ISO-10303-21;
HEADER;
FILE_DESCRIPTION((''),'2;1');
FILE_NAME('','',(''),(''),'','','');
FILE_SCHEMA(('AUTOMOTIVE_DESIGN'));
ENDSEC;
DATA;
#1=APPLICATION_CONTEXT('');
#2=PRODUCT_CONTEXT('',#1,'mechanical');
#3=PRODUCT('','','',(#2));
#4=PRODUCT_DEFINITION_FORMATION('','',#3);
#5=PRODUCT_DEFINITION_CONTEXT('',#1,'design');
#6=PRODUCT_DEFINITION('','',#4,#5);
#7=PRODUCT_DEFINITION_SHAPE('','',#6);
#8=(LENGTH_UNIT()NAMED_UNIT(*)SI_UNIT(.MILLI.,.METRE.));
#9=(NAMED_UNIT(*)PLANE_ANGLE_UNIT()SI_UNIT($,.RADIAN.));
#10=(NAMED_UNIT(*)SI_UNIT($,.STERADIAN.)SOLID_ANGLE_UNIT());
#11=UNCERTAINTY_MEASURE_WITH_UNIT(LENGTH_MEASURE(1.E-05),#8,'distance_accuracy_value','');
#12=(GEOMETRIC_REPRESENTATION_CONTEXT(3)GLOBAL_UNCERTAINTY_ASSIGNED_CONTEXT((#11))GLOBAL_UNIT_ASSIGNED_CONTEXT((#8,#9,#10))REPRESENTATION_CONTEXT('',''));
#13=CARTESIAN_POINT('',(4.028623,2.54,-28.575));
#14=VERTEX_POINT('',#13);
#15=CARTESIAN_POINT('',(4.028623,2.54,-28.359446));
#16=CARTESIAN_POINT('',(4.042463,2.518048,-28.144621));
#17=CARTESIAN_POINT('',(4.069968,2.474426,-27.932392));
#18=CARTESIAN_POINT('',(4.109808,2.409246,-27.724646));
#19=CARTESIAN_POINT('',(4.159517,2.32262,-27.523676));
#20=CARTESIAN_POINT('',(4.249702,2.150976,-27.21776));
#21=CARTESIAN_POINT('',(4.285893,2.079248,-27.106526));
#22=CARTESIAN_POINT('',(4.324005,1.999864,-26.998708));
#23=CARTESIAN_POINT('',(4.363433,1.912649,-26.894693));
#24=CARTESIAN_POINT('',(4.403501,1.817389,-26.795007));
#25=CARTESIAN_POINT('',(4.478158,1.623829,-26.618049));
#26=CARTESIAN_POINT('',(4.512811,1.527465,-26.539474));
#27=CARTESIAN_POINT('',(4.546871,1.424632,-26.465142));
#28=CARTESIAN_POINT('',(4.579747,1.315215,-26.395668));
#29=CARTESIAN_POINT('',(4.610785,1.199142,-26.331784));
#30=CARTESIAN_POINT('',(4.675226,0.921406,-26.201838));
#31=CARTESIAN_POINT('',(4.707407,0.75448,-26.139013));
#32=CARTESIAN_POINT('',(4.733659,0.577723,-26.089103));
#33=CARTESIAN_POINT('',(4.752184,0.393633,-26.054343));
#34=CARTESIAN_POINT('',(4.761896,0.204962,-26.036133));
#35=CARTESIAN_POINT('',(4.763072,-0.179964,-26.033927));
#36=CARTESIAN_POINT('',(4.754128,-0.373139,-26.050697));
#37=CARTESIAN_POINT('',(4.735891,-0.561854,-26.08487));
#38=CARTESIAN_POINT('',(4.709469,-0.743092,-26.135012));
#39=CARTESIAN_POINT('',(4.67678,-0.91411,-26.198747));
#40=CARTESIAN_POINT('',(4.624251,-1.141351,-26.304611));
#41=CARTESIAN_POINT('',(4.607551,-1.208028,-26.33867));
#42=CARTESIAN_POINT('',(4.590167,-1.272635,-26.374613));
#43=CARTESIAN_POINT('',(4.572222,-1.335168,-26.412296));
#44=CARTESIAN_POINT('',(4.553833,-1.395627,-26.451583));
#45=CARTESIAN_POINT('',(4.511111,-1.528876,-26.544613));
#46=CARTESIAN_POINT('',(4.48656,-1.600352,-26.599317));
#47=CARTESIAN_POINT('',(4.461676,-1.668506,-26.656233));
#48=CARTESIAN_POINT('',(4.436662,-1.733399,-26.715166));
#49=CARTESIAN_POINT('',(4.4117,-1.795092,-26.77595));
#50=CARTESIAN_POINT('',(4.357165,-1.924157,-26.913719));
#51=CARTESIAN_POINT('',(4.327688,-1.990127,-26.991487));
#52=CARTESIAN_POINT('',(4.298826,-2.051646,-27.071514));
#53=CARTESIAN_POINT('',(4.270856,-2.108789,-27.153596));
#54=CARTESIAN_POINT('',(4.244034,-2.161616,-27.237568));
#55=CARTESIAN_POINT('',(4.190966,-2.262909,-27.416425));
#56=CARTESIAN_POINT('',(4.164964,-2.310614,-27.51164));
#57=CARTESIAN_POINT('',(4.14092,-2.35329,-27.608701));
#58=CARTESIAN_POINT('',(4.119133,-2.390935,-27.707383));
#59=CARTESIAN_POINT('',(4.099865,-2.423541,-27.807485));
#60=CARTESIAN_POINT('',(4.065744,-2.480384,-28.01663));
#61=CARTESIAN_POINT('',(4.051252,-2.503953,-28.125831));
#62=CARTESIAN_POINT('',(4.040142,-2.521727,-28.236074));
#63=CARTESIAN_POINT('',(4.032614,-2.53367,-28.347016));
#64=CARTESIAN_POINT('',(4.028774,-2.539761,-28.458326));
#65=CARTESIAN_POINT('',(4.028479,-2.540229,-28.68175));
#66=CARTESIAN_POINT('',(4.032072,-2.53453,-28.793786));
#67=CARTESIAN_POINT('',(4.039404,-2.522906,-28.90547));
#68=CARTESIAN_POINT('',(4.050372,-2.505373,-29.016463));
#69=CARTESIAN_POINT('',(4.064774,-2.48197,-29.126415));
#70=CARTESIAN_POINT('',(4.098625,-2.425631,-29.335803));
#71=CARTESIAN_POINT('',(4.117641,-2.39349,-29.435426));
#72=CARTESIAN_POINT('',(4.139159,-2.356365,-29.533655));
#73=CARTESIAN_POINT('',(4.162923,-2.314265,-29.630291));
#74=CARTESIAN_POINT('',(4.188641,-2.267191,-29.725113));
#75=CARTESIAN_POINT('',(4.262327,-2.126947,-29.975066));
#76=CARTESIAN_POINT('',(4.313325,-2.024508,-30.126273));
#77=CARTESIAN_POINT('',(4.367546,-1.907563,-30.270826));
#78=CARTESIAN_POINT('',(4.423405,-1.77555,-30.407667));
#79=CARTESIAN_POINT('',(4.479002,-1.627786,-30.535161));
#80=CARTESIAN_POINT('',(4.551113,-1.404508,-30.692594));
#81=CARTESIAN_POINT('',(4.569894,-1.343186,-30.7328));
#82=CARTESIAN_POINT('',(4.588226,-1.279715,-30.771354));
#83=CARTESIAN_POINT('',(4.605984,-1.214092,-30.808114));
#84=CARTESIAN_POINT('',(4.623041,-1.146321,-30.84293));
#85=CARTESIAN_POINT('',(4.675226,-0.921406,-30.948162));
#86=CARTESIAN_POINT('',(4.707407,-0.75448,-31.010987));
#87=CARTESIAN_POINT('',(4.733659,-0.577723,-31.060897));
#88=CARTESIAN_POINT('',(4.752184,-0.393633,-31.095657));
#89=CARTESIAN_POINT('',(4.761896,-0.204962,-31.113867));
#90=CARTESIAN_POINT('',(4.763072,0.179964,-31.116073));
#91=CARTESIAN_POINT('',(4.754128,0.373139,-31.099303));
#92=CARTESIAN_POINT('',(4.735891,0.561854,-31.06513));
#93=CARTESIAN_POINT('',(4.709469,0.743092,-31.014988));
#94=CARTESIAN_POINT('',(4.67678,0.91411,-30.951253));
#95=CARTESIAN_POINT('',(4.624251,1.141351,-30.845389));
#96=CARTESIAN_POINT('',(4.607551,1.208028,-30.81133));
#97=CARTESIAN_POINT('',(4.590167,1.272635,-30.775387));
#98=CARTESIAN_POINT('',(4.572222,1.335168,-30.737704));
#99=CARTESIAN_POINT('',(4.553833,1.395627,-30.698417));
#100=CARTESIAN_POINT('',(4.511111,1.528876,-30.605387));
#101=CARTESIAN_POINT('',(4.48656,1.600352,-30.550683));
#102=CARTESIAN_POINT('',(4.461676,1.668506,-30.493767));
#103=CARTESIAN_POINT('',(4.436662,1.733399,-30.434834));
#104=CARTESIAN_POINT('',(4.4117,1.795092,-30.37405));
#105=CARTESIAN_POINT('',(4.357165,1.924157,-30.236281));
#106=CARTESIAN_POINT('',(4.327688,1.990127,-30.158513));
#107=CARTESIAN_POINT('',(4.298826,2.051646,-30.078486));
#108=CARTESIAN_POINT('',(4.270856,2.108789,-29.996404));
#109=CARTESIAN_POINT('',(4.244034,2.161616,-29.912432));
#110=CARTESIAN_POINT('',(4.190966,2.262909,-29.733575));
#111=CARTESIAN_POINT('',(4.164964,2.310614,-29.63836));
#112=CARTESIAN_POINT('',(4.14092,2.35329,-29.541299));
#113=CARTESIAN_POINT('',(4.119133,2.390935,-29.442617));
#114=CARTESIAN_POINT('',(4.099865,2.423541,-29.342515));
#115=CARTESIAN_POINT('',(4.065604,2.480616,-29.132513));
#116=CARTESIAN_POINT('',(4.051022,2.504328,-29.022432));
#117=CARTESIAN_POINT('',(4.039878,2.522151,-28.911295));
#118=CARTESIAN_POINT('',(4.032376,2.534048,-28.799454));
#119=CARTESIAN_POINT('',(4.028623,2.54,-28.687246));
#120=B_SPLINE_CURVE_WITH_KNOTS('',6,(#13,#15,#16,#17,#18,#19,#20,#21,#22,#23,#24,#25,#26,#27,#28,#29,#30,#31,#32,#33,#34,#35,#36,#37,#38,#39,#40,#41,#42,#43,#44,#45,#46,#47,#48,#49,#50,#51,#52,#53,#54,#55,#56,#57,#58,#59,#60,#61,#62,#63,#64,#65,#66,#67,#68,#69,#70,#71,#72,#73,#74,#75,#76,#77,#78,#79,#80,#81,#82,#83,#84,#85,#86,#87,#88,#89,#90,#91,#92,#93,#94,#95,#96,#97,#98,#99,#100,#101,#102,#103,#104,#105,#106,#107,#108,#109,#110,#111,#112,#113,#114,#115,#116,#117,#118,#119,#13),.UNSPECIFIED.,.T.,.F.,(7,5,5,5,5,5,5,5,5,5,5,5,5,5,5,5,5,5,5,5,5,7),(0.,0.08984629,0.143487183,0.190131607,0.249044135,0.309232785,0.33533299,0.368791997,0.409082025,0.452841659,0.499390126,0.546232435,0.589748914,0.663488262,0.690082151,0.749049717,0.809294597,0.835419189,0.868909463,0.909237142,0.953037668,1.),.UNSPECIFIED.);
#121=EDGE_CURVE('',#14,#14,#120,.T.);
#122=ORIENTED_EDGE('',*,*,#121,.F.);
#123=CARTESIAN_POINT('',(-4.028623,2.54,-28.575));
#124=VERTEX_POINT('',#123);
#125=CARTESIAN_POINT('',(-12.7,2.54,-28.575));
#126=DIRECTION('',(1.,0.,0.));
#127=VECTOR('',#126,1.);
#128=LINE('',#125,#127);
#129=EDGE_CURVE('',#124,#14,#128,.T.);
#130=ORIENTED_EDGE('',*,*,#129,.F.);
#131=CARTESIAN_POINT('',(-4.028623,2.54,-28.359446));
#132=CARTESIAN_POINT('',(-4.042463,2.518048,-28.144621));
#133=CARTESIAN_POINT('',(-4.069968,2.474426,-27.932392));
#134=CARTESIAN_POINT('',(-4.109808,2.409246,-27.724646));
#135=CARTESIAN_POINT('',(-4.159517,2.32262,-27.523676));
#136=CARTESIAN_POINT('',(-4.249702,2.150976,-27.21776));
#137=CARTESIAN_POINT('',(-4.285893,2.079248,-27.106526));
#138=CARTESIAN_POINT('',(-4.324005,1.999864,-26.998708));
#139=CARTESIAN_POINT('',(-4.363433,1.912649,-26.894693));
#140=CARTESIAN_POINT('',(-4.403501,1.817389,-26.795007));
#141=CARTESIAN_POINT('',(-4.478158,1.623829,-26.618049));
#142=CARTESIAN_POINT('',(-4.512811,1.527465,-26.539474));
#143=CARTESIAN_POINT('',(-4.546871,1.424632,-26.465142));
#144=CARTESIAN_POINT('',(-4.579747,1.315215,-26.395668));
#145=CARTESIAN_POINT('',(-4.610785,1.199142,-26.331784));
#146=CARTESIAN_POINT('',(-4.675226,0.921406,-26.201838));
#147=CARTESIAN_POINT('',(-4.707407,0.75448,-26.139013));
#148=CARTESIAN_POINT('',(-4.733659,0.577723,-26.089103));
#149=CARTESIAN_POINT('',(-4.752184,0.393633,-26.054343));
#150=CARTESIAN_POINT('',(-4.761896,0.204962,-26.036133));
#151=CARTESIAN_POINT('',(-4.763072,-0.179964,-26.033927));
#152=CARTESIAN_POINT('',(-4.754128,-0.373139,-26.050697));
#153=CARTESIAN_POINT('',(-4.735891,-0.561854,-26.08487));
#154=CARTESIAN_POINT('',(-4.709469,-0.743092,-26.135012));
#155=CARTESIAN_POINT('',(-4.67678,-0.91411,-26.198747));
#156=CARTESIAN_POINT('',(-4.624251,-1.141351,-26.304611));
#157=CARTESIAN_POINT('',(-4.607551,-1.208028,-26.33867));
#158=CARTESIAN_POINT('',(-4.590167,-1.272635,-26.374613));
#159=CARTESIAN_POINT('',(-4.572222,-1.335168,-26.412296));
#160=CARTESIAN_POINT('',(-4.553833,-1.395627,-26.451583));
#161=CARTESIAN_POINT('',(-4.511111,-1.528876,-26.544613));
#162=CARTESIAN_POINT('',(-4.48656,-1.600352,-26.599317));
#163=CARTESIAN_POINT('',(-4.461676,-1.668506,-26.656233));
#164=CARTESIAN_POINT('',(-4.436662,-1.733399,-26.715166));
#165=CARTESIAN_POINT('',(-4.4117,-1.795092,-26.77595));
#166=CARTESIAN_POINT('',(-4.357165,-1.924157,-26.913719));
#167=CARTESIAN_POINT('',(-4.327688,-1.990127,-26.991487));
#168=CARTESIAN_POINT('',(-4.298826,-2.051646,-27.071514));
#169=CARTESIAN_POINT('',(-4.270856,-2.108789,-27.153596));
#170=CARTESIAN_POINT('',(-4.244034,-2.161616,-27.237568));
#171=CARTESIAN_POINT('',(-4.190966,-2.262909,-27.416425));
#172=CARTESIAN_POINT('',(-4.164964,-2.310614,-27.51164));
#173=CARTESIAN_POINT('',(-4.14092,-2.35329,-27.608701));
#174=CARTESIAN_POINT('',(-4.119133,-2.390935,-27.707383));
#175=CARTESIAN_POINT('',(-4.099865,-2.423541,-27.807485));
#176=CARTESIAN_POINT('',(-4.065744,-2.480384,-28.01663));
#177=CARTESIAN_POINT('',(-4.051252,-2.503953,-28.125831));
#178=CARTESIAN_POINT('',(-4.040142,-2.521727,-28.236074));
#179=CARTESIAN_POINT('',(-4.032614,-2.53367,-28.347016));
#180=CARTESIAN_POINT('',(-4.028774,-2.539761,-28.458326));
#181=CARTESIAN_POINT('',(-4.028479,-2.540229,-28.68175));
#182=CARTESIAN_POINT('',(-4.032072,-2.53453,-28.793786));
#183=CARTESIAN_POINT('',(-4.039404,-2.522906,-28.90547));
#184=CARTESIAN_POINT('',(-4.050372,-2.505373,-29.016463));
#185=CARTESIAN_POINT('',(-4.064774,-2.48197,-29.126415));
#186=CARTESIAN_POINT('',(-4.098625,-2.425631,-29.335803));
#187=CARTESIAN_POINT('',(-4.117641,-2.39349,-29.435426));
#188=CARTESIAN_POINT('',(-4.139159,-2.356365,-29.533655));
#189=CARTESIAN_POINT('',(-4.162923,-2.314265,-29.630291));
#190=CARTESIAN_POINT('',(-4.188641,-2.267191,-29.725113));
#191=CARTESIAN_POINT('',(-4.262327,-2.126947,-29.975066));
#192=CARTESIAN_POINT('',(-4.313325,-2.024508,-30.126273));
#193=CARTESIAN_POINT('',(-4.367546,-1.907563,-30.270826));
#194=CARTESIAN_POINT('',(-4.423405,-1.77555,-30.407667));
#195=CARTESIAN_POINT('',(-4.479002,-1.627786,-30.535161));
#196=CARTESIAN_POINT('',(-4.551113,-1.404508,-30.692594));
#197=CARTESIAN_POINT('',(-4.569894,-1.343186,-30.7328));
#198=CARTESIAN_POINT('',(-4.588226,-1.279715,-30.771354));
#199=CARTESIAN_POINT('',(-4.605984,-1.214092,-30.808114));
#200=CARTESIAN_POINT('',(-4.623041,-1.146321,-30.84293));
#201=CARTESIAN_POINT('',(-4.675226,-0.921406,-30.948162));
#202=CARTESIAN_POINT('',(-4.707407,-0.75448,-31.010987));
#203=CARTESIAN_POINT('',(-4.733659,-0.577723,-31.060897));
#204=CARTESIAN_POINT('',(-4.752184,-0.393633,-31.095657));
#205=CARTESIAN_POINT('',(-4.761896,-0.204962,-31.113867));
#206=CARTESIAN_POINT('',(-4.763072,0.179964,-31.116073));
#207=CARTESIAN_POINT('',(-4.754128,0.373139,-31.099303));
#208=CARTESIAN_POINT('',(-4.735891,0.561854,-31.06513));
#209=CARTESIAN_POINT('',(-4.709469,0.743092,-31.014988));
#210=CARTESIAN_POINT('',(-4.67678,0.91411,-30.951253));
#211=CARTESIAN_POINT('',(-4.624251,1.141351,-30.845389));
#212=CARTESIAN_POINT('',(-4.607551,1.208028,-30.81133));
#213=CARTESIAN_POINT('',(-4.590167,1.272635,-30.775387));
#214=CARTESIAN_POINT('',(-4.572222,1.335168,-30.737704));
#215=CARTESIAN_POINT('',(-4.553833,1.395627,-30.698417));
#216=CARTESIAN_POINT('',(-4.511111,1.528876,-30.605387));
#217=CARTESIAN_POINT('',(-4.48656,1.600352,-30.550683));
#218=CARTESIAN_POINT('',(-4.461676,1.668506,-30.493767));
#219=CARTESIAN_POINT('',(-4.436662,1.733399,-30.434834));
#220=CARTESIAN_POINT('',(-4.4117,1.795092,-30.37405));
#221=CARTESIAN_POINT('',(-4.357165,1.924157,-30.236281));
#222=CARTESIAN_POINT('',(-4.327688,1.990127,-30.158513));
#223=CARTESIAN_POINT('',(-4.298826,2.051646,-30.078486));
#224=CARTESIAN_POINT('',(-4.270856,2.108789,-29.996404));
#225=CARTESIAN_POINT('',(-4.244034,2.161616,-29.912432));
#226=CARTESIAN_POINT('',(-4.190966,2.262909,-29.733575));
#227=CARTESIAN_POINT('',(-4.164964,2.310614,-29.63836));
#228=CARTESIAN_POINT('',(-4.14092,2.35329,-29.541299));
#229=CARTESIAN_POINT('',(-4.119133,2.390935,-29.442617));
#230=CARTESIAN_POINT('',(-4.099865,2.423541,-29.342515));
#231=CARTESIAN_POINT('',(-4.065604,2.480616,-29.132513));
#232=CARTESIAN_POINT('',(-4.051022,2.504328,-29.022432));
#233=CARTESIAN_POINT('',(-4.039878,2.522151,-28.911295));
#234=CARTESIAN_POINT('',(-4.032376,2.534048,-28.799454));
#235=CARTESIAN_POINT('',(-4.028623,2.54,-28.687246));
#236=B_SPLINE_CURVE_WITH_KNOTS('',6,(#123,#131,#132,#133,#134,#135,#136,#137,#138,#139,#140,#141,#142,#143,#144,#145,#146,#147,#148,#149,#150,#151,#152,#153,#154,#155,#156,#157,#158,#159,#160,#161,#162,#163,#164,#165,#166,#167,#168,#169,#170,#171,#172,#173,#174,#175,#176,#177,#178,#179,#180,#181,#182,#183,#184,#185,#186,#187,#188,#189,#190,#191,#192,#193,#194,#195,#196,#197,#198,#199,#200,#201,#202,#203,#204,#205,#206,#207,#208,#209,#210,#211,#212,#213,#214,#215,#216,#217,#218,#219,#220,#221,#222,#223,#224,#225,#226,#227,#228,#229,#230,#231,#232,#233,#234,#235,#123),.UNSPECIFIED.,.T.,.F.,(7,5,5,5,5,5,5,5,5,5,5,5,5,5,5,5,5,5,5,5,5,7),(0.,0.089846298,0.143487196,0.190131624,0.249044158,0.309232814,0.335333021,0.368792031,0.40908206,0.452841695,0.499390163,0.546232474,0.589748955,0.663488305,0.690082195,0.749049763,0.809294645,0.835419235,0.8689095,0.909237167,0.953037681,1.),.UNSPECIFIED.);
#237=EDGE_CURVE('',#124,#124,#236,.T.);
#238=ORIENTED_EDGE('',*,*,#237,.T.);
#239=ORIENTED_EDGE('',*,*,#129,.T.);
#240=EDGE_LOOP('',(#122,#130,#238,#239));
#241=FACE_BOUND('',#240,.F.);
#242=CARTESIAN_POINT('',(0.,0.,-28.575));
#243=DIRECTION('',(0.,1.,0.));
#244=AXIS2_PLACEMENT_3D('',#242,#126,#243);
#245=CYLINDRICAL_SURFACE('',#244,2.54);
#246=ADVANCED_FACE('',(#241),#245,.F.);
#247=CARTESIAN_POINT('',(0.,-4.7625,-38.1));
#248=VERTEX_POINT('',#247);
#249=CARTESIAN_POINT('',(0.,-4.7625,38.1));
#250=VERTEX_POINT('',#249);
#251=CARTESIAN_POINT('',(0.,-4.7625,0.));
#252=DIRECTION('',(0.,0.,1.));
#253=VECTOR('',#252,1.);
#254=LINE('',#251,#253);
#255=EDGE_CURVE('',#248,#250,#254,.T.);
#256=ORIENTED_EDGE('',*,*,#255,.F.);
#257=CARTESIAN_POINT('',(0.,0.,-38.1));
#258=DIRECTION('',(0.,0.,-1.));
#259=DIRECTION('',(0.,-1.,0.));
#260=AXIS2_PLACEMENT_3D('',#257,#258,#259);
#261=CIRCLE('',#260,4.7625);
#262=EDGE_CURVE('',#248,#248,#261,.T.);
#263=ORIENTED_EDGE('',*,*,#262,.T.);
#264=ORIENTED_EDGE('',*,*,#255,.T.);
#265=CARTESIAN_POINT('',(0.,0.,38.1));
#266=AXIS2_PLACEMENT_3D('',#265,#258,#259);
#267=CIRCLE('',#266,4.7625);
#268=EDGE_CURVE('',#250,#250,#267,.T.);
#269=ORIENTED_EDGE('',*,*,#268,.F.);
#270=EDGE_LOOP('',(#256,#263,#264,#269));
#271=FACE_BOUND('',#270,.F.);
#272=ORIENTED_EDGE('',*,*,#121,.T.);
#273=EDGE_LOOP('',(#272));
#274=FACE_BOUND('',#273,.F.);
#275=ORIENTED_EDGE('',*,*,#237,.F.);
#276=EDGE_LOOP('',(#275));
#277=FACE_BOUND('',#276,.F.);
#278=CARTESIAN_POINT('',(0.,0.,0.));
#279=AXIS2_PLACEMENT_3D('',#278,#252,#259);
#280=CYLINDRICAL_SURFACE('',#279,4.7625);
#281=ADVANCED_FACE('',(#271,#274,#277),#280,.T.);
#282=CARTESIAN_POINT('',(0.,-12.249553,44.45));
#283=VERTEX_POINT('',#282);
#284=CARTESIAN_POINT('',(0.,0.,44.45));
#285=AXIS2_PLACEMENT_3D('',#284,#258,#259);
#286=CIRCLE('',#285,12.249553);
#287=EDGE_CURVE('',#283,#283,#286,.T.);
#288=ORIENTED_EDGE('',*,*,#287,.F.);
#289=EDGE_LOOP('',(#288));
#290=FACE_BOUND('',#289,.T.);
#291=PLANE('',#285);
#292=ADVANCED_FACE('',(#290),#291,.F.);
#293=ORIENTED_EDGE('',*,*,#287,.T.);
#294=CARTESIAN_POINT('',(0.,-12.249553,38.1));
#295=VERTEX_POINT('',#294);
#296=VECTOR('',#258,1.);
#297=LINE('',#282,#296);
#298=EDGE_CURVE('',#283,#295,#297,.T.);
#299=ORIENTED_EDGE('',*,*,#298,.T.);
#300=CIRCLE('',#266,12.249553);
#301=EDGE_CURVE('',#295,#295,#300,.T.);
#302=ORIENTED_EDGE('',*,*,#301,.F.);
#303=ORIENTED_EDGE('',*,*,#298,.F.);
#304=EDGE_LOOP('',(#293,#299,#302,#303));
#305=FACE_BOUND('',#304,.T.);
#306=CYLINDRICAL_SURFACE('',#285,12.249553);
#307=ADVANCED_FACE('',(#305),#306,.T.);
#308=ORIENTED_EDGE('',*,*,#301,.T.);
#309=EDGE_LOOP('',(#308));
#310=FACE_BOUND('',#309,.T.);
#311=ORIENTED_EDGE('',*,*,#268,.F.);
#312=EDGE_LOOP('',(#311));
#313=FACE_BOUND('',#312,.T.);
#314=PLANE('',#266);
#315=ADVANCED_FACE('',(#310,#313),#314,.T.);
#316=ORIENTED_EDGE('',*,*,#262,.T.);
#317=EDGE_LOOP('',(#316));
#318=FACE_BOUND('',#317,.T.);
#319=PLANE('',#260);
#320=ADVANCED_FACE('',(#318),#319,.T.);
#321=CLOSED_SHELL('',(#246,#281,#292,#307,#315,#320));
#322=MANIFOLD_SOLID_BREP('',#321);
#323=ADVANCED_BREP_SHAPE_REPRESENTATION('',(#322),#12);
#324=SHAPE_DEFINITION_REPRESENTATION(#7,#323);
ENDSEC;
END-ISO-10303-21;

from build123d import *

# Parameters (mm, degrees)
F0_W     = 4.7625
F0_H     = 76.2
F2_R     = 2.54
F3_DEPTH = 12.7


with BuildPart() as f1:
    # F0 (on Right) → F1 (revolve)
    with BuildSketch(Plane.YZ):
        Polygon((-12.2495525092, 38.1), (-4.7625, 38.1), (0, 38.1), (0, 44.45), (-12.2495525092, 44.45), align=None)
        with Locations((-2.38125, 0)):
            Rectangle(F0_W, F0_H)
    revolve(axis=Axis((0, 0, 3.175), (0, 0, -1)))

    # F2 (on Right) → F3 (cut, symmetric)
    with BuildSketch(Plane.YZ):
        with Locations((0, -28.575)):
            Circle(F2_R)
    extrude(amount=F3_DEPTH, both=True, mode=Mode.SUBTRACT)


solid = f1.part
